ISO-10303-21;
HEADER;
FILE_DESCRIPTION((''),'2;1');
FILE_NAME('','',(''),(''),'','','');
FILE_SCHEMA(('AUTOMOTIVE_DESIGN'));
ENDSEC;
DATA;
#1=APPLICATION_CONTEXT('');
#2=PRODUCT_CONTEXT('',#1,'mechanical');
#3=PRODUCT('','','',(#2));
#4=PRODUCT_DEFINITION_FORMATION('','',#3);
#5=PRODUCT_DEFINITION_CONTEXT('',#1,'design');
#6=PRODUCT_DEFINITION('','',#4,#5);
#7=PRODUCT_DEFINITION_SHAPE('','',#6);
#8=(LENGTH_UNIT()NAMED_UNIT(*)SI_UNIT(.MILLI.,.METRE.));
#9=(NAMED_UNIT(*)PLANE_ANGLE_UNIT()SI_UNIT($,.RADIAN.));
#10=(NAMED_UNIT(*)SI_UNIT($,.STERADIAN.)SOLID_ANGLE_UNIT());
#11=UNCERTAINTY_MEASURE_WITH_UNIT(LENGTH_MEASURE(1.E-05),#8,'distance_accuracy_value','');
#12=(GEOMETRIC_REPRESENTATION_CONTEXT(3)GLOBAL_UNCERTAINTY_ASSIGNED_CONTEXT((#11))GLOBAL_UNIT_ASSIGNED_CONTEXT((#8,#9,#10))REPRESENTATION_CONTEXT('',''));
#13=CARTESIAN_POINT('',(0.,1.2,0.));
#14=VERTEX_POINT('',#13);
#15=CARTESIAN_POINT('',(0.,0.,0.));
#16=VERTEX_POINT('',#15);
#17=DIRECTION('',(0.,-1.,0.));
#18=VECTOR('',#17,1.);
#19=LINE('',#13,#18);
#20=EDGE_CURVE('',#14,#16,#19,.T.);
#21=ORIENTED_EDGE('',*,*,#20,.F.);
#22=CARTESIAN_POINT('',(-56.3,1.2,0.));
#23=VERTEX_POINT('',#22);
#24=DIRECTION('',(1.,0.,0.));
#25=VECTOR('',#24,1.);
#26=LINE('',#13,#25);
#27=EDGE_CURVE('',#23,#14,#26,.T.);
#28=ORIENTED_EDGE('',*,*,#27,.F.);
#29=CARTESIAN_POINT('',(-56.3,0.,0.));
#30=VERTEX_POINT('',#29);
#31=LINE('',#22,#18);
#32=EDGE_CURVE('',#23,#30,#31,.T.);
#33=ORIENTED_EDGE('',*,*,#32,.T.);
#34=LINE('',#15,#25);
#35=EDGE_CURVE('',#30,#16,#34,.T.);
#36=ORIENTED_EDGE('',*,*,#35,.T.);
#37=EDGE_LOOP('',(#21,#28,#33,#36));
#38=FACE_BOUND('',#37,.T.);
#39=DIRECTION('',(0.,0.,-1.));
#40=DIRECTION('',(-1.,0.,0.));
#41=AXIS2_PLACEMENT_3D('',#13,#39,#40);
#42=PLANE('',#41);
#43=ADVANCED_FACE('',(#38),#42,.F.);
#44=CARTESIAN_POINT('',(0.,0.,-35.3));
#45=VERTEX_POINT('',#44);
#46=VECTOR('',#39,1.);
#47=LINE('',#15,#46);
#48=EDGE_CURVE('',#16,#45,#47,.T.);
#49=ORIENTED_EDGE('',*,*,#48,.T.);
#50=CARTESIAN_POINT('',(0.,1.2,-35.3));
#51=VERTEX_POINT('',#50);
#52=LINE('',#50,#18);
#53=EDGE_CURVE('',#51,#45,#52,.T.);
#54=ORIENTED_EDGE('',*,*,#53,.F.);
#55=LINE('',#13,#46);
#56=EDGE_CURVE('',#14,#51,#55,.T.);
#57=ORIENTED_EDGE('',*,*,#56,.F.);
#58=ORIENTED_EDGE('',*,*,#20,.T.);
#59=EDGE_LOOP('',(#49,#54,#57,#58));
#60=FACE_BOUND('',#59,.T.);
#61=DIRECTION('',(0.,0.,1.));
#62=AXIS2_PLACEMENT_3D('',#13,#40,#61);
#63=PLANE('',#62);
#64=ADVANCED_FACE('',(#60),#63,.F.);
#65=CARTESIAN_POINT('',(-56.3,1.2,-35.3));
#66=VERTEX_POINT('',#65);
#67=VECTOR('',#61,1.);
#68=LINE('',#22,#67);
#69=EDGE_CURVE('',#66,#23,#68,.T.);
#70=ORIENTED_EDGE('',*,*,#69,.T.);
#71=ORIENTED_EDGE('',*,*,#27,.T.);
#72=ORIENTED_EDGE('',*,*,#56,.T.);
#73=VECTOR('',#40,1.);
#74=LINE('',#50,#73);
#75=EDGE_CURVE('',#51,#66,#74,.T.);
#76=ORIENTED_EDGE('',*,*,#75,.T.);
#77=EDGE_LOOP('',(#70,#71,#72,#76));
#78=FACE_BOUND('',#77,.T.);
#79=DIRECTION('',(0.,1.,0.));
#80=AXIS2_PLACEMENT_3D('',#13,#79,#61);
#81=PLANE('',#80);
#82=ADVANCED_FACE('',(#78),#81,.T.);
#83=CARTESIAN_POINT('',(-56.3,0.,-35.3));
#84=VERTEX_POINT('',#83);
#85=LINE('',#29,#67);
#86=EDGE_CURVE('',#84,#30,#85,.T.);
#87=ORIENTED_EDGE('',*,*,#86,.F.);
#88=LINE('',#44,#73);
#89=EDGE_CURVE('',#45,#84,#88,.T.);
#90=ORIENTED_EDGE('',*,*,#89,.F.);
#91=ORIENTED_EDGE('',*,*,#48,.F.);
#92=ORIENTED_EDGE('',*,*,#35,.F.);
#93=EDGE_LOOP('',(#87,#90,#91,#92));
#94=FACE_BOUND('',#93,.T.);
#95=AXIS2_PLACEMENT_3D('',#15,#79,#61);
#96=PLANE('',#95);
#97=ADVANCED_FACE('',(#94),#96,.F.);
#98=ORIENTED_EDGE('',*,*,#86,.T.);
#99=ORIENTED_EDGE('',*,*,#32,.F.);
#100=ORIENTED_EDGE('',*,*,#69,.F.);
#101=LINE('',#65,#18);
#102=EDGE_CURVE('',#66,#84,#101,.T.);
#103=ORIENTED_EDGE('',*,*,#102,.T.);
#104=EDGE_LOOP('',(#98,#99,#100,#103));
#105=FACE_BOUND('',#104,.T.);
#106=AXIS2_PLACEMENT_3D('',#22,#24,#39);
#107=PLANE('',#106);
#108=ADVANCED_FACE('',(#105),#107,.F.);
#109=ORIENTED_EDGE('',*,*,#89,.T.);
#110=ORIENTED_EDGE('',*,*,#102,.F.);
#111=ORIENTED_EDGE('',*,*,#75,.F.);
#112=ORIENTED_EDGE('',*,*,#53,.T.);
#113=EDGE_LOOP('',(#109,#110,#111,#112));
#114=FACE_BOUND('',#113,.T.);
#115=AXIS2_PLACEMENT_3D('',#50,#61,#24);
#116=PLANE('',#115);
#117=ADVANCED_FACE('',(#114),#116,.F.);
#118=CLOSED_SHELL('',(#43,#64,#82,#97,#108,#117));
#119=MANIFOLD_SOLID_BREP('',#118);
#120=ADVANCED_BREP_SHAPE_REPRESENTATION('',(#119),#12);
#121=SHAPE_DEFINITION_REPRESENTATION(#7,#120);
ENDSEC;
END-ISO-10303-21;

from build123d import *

# Parameters (mm, degrees)
SKETCH_1_W      = 56.3
SKETCH_1_H      = 35.3
EXTRUDE_1_DEPTH = 1.2


with BuildPart() as part:
    # 草图1 → 凸台-拉伸1 (new body)
    with BuildSketch(Plane(origin=(0, 0, 0), x_dir=(1, 0, 0), z_dir=(0, 1, 0))):
        with Locations((-28.15, 17.65)):
            Rectangle(SKETCH_1_W, SKETCH_1_H)
    extrude(amount=EXTRUDE_1_DEPTH)


solid = part.part
